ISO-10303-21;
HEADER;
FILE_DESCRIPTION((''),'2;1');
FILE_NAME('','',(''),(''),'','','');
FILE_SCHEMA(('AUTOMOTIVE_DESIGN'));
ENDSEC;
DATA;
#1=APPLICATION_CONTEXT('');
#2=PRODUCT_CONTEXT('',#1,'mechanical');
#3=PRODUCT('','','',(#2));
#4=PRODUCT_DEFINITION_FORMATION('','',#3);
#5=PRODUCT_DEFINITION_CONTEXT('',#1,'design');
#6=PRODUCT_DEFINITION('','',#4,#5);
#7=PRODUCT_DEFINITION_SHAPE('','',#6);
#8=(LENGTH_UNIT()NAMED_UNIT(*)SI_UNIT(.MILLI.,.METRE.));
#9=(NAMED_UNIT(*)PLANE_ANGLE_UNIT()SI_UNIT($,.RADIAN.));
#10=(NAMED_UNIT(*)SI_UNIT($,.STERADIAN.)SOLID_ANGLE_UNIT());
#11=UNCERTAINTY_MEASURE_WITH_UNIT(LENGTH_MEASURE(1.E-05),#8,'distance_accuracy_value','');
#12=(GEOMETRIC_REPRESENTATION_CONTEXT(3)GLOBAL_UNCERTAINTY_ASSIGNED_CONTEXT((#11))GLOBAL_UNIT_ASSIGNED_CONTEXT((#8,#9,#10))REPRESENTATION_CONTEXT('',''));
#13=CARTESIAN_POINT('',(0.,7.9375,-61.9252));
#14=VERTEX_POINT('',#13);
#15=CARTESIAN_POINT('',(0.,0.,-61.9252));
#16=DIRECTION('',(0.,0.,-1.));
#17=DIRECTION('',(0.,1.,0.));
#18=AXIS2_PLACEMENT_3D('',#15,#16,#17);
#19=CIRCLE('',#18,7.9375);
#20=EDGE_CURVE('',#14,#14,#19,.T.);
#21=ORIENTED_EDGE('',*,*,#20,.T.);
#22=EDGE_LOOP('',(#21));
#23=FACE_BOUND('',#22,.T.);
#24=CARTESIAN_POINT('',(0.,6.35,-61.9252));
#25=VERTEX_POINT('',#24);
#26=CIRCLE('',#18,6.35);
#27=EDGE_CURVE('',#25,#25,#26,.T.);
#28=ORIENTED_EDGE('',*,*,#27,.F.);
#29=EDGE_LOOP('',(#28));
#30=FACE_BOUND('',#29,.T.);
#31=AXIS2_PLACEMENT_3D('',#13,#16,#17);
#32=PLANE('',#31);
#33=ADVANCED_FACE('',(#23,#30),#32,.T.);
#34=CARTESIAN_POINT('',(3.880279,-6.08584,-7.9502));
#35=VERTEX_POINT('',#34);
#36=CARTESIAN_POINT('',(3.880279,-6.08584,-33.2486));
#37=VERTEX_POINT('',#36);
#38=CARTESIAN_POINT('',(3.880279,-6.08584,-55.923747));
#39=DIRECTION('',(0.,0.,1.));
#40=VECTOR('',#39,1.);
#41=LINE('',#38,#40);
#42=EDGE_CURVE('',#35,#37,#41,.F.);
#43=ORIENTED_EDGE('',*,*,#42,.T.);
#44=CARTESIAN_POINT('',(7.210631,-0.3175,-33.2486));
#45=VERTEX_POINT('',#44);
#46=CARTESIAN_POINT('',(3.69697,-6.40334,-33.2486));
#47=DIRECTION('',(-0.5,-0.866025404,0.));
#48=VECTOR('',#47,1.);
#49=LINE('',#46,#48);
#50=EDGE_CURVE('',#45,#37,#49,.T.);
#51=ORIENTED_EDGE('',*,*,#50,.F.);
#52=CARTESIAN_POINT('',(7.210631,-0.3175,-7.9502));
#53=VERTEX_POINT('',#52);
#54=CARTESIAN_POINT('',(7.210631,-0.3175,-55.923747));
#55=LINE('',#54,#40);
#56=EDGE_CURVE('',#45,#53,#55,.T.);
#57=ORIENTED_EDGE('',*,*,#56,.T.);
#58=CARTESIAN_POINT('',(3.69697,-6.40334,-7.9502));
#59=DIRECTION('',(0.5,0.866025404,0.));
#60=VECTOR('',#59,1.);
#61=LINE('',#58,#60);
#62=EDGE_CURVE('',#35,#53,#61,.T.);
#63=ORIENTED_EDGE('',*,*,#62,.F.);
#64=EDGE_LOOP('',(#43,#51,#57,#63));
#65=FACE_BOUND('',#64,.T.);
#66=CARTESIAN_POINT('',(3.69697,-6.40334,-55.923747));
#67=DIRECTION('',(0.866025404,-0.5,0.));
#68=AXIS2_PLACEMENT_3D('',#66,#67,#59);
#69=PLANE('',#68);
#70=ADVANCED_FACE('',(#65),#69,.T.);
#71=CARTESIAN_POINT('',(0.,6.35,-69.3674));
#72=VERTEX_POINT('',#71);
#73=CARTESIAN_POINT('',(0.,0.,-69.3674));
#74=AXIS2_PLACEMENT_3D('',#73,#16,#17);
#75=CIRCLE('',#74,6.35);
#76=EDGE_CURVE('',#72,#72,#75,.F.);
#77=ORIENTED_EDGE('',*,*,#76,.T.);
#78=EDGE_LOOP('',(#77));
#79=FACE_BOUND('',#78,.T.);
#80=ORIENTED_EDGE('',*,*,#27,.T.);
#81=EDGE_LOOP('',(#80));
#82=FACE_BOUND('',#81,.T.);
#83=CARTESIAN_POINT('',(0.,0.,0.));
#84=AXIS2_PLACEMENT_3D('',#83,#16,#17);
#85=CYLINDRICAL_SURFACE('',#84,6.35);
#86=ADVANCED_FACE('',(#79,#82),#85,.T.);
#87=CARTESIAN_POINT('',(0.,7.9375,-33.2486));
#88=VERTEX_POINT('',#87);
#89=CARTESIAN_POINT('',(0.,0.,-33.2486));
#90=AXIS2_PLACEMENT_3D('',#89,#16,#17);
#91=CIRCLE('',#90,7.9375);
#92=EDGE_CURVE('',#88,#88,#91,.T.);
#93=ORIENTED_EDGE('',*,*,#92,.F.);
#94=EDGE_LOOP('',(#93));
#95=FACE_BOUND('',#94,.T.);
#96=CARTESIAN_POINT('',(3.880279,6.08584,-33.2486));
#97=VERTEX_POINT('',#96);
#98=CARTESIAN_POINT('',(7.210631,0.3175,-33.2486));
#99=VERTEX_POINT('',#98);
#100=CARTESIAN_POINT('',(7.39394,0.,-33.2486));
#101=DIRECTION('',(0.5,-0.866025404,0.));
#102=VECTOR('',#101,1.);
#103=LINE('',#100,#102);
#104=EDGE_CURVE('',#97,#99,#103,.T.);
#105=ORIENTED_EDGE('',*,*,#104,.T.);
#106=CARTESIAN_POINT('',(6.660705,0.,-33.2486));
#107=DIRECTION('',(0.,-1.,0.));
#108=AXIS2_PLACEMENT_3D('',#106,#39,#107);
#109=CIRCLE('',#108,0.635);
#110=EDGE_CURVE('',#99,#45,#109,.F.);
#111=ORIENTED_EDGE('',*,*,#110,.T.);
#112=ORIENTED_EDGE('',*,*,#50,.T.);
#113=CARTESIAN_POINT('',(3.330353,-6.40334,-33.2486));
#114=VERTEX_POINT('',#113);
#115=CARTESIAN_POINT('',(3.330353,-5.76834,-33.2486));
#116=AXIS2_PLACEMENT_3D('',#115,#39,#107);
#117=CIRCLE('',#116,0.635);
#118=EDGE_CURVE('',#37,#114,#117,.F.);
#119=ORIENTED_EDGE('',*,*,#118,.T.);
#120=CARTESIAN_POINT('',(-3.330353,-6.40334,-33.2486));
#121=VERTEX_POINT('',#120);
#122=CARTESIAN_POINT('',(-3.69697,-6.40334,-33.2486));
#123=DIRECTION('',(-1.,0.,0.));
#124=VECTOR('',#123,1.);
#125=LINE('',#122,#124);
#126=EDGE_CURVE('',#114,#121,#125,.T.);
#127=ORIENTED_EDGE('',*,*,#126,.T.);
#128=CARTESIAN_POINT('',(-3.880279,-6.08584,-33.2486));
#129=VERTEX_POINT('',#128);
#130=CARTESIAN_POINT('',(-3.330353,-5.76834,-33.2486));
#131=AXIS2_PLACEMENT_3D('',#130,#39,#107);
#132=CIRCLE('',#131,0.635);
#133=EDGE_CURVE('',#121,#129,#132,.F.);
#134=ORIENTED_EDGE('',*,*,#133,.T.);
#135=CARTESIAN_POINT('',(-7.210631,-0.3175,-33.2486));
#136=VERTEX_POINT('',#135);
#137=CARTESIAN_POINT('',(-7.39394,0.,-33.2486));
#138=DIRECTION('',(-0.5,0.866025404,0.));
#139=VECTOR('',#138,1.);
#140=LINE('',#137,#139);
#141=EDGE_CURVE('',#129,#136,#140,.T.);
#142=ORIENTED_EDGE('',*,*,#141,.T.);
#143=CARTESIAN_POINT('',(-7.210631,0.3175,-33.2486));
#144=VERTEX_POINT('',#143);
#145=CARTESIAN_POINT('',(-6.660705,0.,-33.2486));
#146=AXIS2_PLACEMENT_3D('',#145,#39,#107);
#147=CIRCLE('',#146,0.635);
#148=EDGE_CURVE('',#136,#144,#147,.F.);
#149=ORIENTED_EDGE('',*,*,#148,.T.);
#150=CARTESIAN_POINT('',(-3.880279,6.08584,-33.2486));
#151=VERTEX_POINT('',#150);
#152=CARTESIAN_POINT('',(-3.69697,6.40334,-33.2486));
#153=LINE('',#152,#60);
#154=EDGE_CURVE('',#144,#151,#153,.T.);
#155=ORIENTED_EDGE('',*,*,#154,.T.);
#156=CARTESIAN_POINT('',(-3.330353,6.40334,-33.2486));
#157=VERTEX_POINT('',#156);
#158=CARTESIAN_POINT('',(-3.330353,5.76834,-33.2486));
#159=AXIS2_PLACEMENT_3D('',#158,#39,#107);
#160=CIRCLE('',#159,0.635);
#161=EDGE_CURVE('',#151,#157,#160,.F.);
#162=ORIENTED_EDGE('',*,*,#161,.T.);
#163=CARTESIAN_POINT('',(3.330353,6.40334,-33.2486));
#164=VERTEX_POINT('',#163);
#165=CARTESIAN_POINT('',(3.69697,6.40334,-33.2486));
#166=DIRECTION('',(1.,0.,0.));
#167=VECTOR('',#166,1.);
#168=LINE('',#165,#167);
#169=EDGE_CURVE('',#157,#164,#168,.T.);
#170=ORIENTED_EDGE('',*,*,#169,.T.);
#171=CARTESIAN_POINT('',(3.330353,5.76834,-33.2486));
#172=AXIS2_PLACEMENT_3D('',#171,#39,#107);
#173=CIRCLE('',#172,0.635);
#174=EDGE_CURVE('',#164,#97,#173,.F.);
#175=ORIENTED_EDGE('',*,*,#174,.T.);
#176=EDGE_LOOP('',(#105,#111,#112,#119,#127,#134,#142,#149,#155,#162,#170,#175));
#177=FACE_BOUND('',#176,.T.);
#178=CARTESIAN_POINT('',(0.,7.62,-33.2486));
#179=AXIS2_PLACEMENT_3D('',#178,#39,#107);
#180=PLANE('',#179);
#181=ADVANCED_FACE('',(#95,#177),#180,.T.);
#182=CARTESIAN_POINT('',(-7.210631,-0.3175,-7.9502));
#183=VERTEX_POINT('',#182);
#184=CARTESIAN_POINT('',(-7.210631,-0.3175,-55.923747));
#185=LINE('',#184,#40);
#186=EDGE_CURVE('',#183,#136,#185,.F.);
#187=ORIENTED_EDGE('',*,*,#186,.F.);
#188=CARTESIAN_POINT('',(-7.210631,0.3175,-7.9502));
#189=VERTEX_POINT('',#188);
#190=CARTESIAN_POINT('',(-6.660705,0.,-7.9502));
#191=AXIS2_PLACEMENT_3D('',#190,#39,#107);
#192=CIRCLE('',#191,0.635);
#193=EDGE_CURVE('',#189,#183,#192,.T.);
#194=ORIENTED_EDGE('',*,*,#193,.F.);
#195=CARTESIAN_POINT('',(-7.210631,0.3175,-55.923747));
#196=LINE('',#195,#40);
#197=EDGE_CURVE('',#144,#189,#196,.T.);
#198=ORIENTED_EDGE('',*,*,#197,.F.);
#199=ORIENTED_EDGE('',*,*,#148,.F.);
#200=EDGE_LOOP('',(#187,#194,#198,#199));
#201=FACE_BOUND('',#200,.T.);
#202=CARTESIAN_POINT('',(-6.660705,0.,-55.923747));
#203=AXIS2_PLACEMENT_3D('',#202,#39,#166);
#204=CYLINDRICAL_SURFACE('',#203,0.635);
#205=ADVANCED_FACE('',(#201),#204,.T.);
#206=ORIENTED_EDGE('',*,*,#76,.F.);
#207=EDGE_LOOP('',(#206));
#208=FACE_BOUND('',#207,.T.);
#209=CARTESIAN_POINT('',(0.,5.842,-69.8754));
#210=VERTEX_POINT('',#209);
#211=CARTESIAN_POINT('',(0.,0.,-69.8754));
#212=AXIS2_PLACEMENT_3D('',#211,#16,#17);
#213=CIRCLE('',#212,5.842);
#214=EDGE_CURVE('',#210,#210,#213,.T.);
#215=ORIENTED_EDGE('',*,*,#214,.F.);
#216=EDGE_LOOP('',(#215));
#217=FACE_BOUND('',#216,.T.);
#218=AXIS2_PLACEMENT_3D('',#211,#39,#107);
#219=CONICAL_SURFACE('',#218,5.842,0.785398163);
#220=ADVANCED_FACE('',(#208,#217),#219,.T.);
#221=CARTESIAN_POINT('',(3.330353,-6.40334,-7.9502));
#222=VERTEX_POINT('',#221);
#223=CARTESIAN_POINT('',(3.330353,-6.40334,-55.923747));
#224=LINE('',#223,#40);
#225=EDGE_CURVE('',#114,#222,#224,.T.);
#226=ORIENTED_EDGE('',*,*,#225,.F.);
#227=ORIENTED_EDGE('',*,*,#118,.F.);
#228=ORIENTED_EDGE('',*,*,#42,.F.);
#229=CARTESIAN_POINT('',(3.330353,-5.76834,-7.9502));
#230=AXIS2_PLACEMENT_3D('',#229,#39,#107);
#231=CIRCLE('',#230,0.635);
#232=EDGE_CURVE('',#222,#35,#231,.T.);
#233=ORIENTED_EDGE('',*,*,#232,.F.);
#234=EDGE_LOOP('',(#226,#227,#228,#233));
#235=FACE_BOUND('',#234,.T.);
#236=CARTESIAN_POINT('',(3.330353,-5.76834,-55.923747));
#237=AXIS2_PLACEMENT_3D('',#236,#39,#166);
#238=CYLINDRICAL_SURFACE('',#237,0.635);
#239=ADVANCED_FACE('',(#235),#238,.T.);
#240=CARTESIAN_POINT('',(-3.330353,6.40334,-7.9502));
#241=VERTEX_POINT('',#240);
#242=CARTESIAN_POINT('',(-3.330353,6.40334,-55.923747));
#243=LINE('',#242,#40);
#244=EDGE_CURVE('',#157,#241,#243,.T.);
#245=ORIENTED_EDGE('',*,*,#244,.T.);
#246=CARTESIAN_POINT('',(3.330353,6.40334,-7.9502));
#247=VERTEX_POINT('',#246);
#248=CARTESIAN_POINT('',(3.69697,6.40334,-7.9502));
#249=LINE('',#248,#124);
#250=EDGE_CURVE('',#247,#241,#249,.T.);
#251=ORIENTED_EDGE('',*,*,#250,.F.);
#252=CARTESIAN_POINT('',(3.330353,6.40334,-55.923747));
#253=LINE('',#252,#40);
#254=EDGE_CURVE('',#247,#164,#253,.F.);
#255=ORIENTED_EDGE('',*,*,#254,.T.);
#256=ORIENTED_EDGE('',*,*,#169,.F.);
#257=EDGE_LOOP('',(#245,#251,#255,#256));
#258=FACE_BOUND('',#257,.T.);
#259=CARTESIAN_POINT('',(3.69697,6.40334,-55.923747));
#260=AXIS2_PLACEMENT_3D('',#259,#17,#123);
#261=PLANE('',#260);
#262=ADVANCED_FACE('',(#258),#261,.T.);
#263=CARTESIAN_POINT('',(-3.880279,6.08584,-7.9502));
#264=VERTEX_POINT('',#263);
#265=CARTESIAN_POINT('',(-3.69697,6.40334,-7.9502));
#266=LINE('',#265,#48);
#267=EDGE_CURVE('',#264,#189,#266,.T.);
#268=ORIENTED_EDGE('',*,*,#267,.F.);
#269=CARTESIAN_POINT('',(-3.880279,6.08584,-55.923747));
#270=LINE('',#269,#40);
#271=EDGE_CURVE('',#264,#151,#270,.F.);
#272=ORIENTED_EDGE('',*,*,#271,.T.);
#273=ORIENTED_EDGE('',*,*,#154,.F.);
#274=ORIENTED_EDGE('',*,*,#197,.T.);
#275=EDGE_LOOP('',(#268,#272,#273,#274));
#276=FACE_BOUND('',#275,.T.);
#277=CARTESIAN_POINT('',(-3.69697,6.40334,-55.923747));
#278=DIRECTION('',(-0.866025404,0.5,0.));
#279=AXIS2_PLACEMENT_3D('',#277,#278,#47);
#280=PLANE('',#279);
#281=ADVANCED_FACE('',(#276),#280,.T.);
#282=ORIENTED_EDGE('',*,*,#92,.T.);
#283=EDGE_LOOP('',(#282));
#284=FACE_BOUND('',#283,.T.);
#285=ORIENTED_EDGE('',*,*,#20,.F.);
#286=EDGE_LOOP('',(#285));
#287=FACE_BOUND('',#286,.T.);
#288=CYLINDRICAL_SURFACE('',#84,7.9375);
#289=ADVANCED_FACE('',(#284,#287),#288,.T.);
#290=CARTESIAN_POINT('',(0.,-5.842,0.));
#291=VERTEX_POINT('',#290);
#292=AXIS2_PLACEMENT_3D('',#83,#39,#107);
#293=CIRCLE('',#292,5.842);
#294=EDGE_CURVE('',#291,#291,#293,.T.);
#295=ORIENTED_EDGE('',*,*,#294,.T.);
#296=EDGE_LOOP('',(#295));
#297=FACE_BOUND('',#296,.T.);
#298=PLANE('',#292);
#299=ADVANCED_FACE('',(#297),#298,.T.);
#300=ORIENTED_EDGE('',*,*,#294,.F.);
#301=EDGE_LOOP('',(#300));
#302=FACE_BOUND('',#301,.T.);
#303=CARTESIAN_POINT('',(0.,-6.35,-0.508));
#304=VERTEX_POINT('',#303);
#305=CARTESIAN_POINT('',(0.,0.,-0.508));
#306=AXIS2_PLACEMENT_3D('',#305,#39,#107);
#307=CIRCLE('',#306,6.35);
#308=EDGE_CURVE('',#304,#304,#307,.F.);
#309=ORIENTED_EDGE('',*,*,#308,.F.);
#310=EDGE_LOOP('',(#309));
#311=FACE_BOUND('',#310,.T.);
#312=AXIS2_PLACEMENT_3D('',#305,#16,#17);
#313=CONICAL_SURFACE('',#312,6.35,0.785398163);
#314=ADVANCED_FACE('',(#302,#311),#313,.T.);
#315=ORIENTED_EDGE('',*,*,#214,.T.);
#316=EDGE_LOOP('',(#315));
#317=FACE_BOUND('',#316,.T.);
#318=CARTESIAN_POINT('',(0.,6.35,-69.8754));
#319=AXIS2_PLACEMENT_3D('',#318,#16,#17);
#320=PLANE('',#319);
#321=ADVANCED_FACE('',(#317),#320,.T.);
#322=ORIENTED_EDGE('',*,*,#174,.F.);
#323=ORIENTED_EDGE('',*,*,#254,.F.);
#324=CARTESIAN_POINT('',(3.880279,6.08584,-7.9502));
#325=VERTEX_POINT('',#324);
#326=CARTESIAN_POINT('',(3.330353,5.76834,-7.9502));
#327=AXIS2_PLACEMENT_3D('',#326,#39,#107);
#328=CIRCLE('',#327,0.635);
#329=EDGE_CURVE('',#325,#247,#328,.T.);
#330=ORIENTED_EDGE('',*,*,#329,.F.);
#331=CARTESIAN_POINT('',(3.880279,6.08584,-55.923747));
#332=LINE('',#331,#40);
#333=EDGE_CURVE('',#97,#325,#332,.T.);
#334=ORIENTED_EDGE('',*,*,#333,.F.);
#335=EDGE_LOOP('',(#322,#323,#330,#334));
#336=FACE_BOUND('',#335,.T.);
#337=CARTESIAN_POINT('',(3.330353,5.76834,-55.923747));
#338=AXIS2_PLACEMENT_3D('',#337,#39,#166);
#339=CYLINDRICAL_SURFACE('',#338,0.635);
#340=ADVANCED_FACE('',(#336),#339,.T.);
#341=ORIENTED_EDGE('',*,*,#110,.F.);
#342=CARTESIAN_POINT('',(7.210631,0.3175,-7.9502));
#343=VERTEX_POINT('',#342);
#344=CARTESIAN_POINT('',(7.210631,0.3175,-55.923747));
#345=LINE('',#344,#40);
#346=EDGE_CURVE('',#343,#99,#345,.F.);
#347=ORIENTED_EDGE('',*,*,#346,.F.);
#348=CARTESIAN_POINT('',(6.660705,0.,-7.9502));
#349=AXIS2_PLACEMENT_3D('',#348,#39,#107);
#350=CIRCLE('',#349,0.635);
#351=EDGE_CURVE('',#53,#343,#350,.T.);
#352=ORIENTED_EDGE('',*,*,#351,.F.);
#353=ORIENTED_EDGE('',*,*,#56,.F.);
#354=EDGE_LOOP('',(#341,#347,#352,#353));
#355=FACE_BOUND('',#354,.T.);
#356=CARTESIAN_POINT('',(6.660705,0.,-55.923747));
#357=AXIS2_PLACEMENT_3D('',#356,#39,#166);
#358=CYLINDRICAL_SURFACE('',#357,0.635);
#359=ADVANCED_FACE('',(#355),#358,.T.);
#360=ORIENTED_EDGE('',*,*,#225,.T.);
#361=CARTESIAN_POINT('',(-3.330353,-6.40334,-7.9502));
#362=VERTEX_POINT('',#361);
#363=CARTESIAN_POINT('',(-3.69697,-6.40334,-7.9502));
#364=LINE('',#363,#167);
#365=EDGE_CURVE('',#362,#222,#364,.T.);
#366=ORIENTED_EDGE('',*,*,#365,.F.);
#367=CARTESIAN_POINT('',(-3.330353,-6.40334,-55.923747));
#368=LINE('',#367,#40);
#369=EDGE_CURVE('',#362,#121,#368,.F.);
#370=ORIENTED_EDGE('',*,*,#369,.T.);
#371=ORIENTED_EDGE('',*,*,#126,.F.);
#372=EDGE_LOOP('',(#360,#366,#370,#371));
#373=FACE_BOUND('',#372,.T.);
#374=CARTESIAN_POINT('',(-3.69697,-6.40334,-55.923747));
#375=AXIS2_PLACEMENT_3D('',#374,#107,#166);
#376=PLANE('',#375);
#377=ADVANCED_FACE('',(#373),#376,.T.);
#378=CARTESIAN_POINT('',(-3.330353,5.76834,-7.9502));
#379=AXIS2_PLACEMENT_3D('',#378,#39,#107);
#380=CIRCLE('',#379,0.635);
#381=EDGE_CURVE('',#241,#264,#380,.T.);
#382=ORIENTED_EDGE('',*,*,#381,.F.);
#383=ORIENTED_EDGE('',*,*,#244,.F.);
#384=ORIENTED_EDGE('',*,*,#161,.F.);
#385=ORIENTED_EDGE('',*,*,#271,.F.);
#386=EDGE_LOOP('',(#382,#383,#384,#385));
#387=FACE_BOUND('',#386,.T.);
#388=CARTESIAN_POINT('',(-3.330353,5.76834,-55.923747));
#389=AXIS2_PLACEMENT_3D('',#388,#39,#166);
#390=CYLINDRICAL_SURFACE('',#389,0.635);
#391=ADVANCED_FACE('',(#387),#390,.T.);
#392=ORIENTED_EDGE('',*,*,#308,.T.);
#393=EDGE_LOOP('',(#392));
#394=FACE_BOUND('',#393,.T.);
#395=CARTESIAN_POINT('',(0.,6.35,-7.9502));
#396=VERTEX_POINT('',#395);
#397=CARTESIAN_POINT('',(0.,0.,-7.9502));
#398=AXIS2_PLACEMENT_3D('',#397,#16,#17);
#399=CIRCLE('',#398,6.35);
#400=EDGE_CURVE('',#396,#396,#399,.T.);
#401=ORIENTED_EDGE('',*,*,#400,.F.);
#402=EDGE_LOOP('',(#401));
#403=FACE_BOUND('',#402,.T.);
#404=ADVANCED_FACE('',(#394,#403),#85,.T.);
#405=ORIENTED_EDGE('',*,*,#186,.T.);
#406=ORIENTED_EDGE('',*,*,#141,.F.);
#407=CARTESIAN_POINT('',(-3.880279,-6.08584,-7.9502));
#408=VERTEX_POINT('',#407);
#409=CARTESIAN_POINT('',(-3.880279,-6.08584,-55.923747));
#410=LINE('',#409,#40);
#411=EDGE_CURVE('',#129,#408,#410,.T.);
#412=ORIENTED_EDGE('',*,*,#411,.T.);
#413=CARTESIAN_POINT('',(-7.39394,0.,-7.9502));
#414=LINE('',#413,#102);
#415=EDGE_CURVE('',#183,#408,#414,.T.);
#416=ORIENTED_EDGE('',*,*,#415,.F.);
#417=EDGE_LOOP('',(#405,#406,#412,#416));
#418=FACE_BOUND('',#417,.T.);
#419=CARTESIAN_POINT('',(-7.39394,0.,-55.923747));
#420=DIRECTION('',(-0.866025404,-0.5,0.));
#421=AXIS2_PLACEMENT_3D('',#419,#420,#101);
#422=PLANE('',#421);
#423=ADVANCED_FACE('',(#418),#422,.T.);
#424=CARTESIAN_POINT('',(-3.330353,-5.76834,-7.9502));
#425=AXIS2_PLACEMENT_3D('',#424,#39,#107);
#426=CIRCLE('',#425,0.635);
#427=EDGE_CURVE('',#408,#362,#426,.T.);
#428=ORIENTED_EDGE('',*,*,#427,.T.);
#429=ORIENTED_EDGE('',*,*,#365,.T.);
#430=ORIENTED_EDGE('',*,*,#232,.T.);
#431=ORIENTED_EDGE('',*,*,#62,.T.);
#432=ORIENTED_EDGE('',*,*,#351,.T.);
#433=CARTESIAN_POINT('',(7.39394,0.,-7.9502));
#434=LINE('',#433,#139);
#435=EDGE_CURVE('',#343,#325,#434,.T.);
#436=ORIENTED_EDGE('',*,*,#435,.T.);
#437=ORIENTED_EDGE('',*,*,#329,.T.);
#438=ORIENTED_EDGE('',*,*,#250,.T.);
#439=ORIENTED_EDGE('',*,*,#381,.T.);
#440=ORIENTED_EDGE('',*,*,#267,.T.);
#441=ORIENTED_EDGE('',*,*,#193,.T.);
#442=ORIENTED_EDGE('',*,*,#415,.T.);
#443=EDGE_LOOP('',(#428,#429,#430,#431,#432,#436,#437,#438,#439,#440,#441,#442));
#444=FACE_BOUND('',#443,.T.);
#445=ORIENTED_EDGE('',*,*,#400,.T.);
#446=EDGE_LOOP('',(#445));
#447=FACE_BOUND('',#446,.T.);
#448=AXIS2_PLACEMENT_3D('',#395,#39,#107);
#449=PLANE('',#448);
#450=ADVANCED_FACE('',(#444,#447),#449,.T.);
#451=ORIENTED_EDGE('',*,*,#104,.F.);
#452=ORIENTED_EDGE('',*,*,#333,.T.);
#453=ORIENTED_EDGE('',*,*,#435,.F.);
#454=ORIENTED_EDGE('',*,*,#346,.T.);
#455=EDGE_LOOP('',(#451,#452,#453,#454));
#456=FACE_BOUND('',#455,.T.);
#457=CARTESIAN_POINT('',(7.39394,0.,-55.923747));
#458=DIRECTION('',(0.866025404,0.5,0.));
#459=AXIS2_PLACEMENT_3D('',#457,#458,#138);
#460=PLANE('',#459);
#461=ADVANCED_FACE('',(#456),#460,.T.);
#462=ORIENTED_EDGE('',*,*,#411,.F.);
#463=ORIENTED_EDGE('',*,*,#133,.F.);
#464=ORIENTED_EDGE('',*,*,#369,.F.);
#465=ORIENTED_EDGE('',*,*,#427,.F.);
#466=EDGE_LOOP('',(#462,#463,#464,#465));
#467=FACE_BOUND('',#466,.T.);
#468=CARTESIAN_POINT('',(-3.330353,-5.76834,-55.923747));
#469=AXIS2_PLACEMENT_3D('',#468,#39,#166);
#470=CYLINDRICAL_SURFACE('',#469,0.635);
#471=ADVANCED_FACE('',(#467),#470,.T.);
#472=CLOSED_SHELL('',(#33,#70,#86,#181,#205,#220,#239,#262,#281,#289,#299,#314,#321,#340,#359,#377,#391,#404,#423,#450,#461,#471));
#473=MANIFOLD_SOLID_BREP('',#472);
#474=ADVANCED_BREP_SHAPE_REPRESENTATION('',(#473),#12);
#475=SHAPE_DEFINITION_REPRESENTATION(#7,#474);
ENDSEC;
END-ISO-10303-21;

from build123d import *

# Parameters (mm, degrees)
SKETCH2_OUTSIDE_W  = 32.552
SKETCH2_OUTSIDE_H  = 32.553
CUT_EXTRUDE1_DEPTH = 25.2984
CHAMFER1_SIZE      = 0.508
FILLET1_R          = 0.635


with BuildPart() as part:
    # Sketch1 → Revolve1 (revolve)
    with BuildSketch(Plane(origin=(0, 0, 0), x_dir=(0, 0, -1), z_dir=(1, 0, 0))):
        Polygon((0, 0), (0, 6.35), (7.9502, 6.35), (7.9502, 7.62), (33.2486, 7.62), (33.2486, 7.9375), (61.9252, 7.9375), (61.9252, 6.35), (69.8754, 6.35), (69.8754, 0), align=None)
    revolve(axis=Axis((0, 0, 0), (0, 0, 1)))

    # Sketch2 outside → Cut-Extrude1 (cut)
    with BuildSketch(Plane.XY.offset(-7.9502)):
        with Locations((0, 0.0005)):
            Rectangle(SKETCH2_OUTSIDE_W, SKETCH2_OUTSIDE_H)
        Polygon((3.696970073, 6.40334), (-3.696970073, 6.40334), (-7.393940145, 0), (-3.696970073, -6.40334), (3.696970073, -6.40334), (7.393940145, 0), align=None, mode=Mode.SUBTRACT)
    extrude(amount=-CUT_EXTRUDE1_DEPTH, mode=Mode.SUBTRACT)

    # Chamfer1
    chamfer1_edges = [part.edges().sort_by_distance(p)[0] for p in [
        (0, -6.35, 0),
        (0, -6.35, -69.8754),
    ]]
    chamfer(chamfer1_edges, length=CHAMFER1_SIZE)

    # Fillet1
    fillet1_edges = [part.edges().sort_by_distance(p)[0] for p in [
        (3.696970073, 6.40334, -20.5994),
        (-3.696970073, 6.40334, -20.5994),
        (-7.393940145, 0, -20.5994),
        (-3.696970073, -6.40334, -20.5994),
        (3.696970073, -6.40334, -20.5994),
        (7.393940145, 0, -20.5994),
    ]]
    fillet(fillet1_edges, radius=FILLET1_R)


solid = part.part
